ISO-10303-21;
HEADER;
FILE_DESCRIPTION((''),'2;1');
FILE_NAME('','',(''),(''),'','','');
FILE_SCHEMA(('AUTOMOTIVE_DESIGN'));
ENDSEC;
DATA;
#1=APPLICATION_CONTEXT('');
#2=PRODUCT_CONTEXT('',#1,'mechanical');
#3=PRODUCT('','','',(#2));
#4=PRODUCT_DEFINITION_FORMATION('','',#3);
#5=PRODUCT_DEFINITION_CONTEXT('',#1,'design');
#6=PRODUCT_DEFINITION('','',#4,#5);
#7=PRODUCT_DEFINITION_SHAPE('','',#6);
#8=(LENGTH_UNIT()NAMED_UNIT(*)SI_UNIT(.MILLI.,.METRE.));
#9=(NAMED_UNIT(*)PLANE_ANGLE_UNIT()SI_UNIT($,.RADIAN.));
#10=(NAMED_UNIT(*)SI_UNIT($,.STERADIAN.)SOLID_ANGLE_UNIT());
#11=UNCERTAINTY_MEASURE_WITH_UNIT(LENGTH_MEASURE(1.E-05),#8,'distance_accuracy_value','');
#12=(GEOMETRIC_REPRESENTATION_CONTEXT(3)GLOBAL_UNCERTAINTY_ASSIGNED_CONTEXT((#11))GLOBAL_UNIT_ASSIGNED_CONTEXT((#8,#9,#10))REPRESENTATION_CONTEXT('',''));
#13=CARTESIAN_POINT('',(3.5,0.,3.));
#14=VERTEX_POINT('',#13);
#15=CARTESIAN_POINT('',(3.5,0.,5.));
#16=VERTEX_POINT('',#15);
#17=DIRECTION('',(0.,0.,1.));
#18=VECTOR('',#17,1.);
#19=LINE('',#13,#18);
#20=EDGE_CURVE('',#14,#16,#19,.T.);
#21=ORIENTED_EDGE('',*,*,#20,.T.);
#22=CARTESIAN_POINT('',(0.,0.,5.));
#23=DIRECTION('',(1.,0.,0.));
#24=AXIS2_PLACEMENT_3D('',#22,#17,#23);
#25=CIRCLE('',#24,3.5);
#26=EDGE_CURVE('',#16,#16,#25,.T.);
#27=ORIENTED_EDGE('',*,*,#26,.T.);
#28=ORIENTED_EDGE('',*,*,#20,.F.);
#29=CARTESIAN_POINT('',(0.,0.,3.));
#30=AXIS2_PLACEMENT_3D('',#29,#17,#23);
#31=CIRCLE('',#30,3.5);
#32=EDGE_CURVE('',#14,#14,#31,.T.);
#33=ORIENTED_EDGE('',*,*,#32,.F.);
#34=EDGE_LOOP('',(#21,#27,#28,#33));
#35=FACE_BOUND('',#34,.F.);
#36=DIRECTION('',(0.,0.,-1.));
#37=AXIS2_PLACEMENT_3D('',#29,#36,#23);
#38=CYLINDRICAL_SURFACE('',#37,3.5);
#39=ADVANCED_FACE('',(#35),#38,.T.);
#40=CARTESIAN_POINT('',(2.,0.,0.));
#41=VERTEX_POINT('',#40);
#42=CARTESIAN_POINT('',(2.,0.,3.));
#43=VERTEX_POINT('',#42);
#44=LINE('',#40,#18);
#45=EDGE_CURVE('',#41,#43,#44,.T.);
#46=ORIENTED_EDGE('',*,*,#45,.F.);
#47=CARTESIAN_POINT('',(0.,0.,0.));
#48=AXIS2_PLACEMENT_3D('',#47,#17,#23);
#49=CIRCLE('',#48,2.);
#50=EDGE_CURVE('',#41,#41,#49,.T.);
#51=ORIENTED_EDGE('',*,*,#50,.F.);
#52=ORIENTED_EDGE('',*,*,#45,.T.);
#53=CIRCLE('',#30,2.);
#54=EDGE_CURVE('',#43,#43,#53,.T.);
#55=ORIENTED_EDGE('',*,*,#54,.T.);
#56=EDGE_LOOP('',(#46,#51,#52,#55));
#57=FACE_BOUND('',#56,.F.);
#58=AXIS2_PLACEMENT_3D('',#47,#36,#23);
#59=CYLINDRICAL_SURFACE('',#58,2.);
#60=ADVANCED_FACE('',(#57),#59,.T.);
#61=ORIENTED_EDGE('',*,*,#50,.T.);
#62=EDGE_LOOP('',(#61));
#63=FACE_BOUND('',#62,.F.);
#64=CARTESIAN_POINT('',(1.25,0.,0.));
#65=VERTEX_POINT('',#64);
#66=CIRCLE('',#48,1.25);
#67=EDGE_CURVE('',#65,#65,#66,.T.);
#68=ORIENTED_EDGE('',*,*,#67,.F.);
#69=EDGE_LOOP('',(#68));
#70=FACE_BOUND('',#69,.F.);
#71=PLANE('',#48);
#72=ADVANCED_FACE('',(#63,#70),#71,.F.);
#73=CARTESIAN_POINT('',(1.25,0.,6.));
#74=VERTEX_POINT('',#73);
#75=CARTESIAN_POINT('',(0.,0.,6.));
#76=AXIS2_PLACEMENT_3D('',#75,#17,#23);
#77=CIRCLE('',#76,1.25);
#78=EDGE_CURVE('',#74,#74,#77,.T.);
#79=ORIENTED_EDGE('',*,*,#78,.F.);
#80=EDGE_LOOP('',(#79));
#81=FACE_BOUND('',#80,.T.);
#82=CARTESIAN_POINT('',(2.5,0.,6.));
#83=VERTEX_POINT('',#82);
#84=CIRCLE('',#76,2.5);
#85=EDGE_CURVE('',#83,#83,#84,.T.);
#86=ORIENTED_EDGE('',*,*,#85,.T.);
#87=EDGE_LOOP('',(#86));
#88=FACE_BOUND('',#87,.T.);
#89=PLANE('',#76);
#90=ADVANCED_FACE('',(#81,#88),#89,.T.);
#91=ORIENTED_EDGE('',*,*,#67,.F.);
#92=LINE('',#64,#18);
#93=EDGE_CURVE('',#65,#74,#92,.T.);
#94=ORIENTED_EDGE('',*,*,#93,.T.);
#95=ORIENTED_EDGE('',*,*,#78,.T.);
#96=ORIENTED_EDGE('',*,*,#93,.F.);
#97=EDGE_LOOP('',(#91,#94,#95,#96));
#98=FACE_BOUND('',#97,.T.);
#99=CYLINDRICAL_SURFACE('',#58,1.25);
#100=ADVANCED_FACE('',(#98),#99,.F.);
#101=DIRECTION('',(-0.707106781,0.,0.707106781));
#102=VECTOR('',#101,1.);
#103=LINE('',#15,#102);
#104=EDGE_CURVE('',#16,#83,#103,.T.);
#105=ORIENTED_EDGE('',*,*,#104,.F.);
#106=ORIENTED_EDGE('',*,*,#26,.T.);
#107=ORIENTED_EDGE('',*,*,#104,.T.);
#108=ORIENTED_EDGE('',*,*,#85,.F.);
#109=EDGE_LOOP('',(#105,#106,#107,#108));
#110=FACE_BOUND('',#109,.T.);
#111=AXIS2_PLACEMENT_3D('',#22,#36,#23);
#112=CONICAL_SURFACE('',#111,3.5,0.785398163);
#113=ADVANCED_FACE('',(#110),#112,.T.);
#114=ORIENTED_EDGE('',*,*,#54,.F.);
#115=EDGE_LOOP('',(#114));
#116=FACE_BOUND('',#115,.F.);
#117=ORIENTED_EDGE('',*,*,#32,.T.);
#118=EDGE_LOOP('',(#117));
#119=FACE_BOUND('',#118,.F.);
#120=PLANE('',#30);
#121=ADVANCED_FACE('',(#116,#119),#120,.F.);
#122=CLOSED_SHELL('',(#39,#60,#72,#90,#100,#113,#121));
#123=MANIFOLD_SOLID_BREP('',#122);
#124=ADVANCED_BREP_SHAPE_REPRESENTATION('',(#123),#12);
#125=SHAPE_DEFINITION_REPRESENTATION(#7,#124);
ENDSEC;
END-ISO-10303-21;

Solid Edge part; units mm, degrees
sketch "Sketch1" plane through (0, 0, 0) normal (0, 0, 1) x (1, 0, 0)
  circle A0 centre (0, 0) radius 1.25
  circle A1 centre (0, 0) radius 2
extrude "Protrusion1" add sketch "Sketch1" along normal blind 3
sketch "Sketch2" plane through (0, 0, 3) normal (0, 0, 1) x (1, 0, 0)
  circle A0 centre (0, 0) radius 1.25
  circle A1 centre (0, 0) radius 3.5
extrude "ExtrudedProtrusion_2" add sketch "Sketch2" along normal blind 3
chamfer "Chamfer_1" distance 1 angle 45 1 edges at (-3.5, 0, 6)
properties material "ABS Plastic, medium impact"
